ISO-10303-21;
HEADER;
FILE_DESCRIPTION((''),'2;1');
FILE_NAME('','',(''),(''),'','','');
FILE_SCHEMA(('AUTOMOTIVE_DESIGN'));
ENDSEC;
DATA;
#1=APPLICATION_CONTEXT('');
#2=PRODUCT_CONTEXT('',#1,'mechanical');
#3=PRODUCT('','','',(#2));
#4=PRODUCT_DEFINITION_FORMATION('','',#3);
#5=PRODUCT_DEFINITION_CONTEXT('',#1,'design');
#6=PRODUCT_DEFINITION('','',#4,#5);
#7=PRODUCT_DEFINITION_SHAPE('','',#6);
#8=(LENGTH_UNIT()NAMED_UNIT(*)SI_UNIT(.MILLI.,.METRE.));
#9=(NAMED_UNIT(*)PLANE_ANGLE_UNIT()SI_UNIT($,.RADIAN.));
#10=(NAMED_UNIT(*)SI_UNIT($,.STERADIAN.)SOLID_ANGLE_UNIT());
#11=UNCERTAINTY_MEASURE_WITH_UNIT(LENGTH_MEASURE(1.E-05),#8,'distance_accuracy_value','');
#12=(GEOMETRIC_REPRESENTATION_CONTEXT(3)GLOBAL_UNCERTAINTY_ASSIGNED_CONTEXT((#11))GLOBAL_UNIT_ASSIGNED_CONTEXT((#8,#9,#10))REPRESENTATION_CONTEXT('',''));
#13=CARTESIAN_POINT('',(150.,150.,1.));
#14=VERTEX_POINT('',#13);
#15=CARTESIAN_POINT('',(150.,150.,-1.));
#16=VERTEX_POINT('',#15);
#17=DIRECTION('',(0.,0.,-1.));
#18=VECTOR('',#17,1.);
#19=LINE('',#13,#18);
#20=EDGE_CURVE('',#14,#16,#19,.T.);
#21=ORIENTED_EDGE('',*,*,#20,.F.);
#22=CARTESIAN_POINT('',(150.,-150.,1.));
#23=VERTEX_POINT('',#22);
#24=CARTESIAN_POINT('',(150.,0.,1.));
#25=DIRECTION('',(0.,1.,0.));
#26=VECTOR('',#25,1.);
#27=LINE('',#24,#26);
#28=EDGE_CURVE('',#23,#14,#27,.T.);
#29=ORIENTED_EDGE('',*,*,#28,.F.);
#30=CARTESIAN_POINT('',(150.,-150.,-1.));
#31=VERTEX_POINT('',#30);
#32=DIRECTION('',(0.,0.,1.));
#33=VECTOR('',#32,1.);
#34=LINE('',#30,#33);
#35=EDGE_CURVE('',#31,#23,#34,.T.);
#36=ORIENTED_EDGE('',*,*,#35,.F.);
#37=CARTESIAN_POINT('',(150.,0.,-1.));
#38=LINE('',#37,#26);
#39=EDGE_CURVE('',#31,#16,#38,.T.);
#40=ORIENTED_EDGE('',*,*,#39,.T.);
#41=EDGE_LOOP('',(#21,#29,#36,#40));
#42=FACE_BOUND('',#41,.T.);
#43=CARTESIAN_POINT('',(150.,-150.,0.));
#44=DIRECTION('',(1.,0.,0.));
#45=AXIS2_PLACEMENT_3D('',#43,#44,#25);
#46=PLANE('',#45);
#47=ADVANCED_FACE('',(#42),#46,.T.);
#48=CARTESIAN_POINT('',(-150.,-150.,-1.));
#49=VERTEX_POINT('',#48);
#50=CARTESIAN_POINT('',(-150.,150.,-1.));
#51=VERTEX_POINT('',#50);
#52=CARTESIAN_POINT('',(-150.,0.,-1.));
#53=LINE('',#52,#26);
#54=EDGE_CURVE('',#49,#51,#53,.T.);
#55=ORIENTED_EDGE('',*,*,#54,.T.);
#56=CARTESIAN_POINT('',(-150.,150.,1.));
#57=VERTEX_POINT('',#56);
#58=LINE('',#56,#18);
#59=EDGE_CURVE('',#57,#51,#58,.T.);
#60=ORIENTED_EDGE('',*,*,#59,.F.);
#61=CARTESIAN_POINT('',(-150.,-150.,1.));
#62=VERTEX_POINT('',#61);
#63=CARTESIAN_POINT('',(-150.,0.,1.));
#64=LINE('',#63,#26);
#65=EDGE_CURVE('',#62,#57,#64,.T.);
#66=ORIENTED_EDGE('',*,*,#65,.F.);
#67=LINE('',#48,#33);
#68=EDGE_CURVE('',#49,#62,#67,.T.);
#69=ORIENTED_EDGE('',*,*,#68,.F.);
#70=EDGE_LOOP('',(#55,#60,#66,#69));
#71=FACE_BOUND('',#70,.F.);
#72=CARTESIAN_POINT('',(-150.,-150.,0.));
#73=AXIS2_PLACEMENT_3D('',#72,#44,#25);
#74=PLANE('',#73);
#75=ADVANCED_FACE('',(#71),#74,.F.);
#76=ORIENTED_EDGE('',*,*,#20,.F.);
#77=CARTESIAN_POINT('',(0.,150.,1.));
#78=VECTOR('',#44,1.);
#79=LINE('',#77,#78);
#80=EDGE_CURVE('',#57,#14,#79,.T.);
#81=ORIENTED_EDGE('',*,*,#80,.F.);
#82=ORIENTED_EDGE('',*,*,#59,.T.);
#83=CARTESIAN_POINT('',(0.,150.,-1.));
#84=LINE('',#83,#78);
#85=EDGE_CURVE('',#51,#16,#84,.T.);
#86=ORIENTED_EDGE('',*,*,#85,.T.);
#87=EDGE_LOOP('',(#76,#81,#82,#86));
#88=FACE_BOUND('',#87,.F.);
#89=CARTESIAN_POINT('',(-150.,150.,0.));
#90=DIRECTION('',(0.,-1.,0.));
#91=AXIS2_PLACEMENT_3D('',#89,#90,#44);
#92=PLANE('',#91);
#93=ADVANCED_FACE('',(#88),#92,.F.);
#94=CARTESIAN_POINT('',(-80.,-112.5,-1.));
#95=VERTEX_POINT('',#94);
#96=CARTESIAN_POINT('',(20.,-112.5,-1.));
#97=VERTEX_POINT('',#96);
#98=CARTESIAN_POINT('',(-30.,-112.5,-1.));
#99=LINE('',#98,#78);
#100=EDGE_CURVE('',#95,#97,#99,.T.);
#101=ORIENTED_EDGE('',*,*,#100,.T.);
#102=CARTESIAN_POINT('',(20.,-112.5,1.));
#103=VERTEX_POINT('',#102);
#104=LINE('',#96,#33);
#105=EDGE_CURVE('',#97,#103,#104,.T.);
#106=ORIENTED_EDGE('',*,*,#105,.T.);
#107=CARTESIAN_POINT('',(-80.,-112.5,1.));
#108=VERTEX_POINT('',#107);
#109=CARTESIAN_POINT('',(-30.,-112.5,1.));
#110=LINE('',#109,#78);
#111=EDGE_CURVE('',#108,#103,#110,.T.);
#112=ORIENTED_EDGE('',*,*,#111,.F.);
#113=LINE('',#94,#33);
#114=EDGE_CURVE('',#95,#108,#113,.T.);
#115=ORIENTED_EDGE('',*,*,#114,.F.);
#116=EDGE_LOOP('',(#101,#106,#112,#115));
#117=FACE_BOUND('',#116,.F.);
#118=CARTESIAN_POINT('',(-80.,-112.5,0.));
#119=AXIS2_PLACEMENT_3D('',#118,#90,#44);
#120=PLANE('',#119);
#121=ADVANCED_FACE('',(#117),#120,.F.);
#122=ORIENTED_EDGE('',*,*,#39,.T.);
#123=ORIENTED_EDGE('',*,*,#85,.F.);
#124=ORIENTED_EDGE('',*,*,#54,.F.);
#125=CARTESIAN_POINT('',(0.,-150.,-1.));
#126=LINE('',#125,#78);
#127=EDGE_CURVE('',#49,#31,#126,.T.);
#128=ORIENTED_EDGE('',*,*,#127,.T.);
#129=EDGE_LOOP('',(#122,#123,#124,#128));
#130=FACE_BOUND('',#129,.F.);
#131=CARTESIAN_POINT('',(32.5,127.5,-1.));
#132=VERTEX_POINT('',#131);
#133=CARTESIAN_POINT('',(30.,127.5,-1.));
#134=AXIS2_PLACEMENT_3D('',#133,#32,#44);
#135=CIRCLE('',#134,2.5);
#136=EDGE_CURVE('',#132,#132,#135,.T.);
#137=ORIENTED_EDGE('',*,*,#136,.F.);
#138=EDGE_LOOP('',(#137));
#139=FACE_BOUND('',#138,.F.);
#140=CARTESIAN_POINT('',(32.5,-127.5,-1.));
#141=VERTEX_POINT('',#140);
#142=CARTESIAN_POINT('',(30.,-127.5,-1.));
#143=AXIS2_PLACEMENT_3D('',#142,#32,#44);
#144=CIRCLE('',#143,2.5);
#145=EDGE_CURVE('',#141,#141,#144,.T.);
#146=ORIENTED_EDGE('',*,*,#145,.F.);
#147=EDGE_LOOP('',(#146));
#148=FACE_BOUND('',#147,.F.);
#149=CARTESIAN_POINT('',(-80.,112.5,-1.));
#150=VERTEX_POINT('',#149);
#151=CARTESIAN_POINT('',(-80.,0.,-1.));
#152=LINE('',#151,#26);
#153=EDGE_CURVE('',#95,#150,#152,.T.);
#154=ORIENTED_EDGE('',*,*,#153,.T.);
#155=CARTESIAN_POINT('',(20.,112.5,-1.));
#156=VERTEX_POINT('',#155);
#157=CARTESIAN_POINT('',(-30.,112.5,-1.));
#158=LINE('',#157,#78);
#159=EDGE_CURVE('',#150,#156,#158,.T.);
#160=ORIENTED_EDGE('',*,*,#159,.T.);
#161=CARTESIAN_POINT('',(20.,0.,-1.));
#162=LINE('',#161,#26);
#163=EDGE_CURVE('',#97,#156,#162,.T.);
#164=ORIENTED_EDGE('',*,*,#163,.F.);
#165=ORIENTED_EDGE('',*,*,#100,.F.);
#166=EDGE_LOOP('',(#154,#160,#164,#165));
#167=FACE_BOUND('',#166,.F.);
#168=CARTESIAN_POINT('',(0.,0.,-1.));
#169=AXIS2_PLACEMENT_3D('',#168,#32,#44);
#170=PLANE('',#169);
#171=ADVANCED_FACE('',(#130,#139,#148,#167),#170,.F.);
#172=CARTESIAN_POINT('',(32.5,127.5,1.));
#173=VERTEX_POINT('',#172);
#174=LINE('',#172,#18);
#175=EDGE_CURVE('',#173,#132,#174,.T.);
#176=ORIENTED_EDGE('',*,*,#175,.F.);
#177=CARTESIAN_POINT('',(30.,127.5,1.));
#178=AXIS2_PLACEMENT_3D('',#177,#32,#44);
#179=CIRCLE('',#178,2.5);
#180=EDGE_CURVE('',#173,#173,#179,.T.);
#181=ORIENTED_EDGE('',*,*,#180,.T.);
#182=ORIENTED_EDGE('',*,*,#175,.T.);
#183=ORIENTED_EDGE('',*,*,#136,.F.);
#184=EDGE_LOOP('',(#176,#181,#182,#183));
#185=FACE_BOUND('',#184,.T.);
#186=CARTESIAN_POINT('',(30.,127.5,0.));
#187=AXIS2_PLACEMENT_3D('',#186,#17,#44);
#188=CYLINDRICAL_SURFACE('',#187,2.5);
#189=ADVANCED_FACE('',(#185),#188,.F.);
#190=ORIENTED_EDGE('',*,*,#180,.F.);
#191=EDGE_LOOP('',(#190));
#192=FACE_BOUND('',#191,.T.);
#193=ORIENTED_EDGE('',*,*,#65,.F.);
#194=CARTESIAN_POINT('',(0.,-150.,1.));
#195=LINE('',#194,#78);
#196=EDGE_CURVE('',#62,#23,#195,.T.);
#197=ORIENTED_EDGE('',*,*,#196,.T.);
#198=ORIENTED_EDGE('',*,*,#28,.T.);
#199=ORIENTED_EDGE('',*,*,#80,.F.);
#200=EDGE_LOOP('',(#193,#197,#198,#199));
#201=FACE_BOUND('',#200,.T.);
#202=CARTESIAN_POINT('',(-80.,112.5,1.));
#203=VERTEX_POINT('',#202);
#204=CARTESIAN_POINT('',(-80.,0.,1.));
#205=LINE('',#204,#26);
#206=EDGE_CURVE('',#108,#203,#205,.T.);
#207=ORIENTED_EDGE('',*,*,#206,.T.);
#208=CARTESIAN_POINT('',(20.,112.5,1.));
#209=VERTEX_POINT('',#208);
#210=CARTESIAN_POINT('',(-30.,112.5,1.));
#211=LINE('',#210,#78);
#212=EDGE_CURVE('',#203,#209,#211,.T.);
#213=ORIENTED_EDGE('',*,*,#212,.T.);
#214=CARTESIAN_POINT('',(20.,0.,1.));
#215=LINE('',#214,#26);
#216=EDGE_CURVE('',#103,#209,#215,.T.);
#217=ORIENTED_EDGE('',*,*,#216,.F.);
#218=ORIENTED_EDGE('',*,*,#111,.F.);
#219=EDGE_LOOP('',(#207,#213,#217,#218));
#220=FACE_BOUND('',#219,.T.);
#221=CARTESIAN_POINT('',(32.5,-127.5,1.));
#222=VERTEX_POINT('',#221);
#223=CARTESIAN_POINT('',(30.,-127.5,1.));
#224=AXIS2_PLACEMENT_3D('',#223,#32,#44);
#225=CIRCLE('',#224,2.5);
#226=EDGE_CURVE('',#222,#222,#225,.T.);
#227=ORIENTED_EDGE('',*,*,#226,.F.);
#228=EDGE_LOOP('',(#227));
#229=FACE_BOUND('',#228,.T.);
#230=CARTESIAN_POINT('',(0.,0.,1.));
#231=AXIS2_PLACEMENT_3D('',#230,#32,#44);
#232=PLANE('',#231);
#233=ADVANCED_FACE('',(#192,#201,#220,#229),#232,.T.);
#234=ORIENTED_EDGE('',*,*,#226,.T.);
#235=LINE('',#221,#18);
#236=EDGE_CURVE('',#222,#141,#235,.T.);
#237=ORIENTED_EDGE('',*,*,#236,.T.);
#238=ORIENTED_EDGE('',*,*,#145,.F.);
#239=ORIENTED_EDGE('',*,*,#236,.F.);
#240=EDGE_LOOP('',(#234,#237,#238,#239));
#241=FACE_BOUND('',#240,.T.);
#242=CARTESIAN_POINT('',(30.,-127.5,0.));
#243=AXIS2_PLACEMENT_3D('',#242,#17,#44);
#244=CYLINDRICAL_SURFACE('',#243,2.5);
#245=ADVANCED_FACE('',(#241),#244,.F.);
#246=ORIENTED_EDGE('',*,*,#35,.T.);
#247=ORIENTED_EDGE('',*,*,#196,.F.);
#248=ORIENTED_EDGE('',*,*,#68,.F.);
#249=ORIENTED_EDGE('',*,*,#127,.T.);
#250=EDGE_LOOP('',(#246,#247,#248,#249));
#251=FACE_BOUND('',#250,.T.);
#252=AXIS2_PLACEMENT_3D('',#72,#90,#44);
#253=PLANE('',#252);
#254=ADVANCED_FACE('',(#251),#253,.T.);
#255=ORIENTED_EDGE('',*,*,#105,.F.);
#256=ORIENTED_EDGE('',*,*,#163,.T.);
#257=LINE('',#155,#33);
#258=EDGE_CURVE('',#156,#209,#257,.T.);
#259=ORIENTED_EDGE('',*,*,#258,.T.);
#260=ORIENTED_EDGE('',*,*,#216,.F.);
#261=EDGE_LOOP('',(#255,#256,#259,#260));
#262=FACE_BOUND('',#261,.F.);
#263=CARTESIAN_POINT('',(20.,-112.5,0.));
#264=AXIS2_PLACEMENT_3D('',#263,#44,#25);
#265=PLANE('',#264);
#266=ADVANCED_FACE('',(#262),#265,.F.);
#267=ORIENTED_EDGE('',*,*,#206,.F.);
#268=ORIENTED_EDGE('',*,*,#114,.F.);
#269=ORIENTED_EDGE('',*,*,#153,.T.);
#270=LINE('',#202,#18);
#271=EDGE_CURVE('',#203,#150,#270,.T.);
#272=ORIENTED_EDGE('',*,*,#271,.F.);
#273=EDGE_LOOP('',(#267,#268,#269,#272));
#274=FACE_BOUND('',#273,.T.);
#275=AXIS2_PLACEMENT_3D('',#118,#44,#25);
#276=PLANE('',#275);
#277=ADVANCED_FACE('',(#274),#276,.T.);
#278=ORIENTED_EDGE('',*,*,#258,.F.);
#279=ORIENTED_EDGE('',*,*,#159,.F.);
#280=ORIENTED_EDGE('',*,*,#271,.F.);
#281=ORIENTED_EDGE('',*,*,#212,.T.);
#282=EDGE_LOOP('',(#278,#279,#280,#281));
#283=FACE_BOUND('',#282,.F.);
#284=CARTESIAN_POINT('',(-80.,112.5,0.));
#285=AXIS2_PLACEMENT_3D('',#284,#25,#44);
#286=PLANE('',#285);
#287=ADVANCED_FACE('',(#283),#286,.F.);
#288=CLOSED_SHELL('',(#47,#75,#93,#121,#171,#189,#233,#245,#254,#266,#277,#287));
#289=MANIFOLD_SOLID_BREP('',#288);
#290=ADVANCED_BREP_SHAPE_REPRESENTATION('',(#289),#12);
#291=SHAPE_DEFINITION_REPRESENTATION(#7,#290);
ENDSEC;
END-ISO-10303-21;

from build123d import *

# Parameters (mm, degrees)
F0_W     = 300
F0_H     = 300
F0_R     = 2.5
F0_W_2   = 100
F0_H_2   = 225
F1_DEPTH = 1


with BuildPart() as f1:
    # F0 (on Top) → F1 (new body, symmetric)
    with BuildSketch(Plane.XY):
        Rectangle(F0_W, F0_H)
        with Locations((30, -127.5)):
            Circle(F0_R, mode=Mode.SUBTRACT)
        with Locations((-30, 0)):
            Rectangle(F0_W_2, F0_H_2, mode=Mode.SUBTRACT)
        with Locations((30, 127.5)):
            Circle(F0_R, mode=Mode.SUBTRACT)
    extrude(amount=F1_DEPTH, both=True)


solid = f1.part
